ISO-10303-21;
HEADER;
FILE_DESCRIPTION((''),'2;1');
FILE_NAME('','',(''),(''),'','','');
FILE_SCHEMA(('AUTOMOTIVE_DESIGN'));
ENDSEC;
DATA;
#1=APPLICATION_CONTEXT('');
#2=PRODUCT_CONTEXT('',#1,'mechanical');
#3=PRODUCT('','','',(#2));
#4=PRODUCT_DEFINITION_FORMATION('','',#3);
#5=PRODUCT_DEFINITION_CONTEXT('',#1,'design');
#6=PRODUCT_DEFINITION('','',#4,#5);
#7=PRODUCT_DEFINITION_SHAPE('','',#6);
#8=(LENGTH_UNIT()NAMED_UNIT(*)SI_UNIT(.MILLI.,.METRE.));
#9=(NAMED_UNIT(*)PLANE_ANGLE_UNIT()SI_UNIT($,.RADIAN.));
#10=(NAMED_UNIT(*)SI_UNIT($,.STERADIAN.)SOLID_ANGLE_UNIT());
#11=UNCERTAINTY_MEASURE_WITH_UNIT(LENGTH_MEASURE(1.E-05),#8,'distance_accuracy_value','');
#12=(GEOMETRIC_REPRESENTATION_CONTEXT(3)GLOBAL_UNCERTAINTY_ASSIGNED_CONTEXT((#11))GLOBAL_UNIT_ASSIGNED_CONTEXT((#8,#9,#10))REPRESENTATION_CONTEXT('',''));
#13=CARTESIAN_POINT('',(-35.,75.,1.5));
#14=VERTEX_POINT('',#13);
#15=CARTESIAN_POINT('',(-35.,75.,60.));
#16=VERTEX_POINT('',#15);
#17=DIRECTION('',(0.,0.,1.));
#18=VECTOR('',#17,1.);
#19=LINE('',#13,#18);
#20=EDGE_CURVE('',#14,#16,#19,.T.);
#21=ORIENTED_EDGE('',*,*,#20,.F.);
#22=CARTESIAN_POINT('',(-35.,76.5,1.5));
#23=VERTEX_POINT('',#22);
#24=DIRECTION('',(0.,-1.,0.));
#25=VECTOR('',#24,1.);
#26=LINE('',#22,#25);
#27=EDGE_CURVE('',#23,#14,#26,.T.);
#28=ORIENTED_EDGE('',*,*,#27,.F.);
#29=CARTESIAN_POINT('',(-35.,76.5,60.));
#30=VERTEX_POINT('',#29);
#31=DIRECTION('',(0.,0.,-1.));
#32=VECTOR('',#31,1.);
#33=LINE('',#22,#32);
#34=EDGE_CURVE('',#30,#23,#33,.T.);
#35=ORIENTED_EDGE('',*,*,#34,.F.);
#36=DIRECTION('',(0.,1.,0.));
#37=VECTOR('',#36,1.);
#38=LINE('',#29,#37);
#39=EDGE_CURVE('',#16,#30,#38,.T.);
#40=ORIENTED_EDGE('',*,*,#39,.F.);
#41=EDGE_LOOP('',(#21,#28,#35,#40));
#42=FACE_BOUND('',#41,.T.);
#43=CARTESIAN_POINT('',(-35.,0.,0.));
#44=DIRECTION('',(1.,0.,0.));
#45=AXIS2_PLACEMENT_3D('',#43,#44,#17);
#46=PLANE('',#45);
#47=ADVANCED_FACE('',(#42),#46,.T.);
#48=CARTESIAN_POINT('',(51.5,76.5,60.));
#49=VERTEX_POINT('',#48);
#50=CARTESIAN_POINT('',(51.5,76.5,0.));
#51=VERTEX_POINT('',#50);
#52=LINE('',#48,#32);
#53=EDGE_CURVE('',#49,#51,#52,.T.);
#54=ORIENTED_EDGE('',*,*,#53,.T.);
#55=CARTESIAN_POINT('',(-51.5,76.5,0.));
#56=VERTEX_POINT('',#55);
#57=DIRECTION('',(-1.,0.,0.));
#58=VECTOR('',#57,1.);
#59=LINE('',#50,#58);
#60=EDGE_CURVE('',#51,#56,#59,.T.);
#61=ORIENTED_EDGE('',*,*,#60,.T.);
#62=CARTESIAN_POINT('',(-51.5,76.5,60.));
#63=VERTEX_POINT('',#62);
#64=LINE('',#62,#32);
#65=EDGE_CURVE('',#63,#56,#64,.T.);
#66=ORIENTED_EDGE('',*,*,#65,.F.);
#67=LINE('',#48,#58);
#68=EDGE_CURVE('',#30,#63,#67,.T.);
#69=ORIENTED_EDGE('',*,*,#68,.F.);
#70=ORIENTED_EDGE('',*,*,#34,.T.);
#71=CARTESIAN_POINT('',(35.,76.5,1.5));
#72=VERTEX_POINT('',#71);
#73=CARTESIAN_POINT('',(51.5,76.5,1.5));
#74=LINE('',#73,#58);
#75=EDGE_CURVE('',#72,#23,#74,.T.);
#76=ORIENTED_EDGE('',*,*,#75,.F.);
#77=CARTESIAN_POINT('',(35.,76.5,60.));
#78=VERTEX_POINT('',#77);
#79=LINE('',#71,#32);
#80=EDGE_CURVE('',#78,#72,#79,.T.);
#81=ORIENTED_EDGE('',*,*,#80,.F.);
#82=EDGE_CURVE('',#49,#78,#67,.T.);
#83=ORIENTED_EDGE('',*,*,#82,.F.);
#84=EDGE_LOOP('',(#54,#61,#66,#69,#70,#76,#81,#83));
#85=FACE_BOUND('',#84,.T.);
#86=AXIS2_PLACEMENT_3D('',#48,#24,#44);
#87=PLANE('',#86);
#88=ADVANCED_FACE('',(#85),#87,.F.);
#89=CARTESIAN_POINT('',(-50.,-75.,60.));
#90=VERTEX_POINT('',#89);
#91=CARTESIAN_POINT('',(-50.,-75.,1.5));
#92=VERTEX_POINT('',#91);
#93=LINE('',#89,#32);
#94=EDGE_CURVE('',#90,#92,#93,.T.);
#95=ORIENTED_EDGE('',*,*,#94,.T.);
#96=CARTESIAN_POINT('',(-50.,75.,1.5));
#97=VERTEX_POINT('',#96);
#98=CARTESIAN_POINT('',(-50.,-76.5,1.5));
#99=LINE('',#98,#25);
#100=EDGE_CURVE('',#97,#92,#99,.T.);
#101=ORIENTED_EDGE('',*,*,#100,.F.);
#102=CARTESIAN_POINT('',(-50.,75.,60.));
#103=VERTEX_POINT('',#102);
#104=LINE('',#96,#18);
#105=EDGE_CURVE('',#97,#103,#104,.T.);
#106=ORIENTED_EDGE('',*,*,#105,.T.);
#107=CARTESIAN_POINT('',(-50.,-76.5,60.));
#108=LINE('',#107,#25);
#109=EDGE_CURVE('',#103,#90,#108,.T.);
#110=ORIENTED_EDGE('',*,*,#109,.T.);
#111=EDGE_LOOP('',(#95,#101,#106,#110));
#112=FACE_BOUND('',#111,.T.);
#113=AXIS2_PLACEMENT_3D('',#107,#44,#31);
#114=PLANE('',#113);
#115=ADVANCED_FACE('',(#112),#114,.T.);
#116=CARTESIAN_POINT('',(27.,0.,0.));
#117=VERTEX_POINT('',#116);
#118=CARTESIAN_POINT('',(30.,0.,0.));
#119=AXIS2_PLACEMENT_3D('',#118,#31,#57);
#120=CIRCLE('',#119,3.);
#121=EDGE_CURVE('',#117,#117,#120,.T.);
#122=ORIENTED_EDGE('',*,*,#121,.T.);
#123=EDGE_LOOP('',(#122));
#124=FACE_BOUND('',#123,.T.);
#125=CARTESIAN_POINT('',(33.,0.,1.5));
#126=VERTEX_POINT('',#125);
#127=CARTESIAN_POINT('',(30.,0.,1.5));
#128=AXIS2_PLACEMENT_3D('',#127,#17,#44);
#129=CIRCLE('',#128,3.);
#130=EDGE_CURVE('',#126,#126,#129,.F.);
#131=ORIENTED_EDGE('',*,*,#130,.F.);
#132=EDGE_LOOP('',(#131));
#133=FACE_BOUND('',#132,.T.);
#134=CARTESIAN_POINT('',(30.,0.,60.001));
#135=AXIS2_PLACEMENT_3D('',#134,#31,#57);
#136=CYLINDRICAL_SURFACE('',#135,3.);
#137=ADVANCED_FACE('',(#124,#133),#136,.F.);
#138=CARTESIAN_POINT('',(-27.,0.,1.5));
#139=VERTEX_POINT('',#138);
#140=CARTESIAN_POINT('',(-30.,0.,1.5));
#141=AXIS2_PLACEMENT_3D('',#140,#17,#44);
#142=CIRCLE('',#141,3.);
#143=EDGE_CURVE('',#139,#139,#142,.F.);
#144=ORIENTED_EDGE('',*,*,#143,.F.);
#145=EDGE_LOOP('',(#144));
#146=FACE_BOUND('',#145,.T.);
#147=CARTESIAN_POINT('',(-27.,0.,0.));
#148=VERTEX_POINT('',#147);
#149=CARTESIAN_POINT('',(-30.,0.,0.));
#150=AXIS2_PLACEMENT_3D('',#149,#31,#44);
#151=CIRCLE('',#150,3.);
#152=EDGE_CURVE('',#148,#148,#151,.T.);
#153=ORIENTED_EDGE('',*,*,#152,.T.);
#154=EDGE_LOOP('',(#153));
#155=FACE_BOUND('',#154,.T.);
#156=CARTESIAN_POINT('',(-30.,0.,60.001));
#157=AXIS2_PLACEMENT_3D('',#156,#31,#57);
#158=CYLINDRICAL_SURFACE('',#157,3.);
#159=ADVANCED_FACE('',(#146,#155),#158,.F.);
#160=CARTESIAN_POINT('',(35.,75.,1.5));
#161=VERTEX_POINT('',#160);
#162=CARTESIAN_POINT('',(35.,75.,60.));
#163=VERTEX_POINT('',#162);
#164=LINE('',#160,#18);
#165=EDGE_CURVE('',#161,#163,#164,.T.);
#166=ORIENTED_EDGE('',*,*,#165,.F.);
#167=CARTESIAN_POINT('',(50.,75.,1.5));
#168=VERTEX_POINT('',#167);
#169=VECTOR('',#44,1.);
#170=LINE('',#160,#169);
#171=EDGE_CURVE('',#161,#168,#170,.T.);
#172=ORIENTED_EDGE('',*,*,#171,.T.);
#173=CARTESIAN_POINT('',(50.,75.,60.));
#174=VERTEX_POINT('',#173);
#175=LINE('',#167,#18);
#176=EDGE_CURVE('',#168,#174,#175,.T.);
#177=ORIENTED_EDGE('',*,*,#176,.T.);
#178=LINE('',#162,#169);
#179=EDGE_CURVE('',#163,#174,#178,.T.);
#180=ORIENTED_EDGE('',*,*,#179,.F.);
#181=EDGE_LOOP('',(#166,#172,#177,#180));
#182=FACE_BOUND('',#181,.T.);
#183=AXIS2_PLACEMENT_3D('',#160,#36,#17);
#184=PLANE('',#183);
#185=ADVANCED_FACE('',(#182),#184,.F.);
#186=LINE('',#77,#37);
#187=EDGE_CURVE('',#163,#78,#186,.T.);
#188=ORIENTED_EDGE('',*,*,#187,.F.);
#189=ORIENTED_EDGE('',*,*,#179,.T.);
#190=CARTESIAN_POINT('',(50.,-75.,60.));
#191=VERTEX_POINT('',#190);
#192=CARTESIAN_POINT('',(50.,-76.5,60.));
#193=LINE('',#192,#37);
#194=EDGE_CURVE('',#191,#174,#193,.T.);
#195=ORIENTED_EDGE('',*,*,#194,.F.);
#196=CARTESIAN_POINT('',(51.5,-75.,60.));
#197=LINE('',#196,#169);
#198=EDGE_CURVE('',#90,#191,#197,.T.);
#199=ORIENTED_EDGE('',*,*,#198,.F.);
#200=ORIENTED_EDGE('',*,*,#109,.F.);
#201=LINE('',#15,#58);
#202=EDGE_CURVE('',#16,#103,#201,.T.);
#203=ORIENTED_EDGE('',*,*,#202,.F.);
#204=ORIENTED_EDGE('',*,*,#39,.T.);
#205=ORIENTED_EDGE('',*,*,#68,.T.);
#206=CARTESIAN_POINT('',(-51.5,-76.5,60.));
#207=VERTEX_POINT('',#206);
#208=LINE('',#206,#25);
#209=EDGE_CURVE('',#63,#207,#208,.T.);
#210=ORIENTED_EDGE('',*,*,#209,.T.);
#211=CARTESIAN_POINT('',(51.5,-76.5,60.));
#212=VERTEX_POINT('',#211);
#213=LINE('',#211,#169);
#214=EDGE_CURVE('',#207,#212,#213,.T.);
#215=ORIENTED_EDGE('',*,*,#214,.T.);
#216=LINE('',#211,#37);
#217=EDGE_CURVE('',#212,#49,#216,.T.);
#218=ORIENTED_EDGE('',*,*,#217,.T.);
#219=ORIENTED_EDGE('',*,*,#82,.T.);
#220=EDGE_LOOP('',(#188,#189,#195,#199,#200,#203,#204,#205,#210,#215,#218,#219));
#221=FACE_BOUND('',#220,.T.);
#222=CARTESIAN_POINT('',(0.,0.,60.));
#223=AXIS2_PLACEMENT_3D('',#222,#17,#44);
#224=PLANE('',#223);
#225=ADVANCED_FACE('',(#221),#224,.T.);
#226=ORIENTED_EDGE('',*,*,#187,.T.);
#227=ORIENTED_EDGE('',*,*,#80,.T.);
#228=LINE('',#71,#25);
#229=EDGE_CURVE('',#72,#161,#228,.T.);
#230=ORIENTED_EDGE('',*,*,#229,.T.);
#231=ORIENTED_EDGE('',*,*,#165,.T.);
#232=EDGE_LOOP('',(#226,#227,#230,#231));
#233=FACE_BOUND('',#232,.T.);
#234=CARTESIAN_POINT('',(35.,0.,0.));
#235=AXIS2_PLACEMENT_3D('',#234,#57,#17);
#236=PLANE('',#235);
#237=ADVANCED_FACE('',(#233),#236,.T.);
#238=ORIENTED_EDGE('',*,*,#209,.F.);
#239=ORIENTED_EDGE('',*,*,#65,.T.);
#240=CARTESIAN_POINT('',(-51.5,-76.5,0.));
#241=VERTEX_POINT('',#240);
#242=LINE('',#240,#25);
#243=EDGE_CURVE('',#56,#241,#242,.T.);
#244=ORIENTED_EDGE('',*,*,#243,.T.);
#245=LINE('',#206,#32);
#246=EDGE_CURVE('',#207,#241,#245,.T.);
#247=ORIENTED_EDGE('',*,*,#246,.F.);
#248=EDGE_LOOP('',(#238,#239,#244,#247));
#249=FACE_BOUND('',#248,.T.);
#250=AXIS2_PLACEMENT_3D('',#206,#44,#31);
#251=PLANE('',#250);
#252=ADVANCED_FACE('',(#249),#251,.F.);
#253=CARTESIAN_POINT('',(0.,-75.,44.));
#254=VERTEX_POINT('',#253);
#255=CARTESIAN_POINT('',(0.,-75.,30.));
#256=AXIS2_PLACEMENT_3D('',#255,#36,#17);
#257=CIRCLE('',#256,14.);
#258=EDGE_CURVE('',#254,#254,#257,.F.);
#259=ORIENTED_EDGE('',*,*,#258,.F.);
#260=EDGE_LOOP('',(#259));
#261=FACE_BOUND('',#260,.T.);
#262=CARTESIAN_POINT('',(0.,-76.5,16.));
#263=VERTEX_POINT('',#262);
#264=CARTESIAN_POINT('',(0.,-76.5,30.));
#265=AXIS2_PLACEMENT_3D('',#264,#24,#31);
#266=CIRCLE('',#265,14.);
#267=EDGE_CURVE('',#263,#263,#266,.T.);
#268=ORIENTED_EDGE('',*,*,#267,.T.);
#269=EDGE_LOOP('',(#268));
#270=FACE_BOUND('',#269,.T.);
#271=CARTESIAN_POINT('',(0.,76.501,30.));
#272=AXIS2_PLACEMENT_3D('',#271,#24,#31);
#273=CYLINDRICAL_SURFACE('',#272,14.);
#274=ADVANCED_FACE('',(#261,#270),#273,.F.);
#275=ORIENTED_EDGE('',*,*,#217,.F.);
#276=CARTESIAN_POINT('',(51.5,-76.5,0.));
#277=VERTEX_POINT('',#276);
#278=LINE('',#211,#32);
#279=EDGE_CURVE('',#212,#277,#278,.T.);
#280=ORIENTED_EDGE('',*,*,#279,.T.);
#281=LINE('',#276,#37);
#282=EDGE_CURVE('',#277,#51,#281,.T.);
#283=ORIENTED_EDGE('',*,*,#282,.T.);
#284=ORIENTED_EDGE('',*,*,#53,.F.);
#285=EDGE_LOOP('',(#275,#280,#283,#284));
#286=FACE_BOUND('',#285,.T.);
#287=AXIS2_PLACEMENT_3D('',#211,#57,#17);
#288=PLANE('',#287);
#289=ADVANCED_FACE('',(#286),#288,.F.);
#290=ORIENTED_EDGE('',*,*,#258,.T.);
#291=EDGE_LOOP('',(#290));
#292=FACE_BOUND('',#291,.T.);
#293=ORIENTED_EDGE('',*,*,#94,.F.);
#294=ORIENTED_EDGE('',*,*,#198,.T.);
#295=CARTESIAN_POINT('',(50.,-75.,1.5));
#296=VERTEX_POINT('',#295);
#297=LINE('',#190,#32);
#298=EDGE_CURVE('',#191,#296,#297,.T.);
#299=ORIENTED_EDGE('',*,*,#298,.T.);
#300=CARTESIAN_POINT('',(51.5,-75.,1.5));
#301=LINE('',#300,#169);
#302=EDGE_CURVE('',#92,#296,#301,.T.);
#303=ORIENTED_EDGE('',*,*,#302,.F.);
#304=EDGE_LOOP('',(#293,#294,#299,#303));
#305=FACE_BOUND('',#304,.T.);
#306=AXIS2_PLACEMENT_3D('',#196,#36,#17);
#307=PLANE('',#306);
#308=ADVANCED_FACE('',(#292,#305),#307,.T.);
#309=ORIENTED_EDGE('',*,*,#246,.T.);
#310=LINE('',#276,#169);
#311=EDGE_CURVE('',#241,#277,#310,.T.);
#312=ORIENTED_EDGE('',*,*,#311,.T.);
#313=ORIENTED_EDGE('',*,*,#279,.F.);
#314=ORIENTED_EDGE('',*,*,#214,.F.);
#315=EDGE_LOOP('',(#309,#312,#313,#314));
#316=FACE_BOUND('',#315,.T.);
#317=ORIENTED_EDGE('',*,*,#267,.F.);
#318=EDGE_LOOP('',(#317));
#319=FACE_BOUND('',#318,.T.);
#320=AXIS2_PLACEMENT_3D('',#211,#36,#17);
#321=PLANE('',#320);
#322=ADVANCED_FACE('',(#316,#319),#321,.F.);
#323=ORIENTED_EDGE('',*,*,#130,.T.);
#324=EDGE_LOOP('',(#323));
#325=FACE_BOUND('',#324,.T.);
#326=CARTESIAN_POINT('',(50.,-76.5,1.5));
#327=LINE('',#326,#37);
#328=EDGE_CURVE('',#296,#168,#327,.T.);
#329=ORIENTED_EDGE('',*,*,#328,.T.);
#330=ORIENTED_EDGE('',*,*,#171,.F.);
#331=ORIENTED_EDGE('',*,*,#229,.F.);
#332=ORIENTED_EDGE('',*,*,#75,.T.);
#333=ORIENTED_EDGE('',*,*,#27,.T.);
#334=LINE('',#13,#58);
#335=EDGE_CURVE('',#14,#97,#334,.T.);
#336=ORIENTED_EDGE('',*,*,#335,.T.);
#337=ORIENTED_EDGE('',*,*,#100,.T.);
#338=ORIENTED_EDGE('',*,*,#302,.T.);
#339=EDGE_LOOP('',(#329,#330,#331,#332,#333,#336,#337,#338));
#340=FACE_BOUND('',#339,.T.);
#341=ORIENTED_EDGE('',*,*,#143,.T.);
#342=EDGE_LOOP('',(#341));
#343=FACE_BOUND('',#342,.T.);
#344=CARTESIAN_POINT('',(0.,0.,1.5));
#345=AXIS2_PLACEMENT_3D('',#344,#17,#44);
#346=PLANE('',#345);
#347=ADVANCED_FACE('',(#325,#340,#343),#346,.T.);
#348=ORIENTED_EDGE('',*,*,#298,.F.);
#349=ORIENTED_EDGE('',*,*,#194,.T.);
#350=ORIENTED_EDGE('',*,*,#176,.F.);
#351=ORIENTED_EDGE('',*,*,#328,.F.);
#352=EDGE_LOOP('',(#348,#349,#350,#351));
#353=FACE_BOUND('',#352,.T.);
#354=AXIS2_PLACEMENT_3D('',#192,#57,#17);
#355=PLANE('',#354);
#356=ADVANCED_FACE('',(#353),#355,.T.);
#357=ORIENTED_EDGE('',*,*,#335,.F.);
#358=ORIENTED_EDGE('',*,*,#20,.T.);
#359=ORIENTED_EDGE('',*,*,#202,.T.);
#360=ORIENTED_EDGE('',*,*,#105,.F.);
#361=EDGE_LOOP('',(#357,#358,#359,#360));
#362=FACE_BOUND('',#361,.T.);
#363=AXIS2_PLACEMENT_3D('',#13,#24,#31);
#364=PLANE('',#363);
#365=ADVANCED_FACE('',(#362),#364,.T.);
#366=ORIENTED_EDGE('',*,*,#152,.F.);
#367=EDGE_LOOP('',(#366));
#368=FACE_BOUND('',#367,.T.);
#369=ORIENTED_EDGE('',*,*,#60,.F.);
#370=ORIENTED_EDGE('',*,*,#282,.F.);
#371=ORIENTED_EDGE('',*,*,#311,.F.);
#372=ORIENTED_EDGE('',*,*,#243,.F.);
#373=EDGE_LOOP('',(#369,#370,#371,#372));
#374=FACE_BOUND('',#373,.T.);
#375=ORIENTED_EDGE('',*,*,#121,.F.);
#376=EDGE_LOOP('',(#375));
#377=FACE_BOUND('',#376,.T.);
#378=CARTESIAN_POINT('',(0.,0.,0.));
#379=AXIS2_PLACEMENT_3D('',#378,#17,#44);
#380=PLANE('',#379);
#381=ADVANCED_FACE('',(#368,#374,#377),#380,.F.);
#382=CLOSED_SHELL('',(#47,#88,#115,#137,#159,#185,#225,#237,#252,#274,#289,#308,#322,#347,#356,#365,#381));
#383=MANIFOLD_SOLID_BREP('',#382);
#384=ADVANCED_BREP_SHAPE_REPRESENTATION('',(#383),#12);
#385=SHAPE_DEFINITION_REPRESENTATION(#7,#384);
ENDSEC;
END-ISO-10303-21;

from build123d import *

# Parameters (mm, degrees)
SKETCH1_W           = 103
SKETCH1_H           = 153
BOSS_EXTRUDE1_DEPTH = 60
SHELL1_T            = -1.5
CUT_EXTRUDE1_REACH  = 174.224
SKETCH2_R           = 14
SKETCH3_W           = 58.5
SKETCH3_H           = 1.5
BOSS_EXTRUDE2_DEPTH = 15
CUT_EXTRUDE2_REACH  = 112.02
SKETCH4_R           = 3


with BuildPart() as part:
    # Sketch1 → Boss-Extrude1 (new body)
    with BuildSketch(Plane.XY):
        Rectangle(SKETCH1_W, SKETCH1_H)
    extrude(amount=BOSS_EXTRUDE1_DEPTH)

    # Shell1
    shell1_openings = [part.faces().sort_by_distance(p)[0] for p in [
        (0, 0, 60),
        (0, 76.5, 30),
    ]]
    offset(amount=SHELL1_T, openings=shell1_openings, kind=Kind.INTERSECTION)

    # Sketch2 → Cut-Extrude1 (cut, up to next)
    with BuildSketch(Plane.XZ.offset(76.5), mode=Mode.PRIVATE) as cut_extrude1_sk1:
        with Locations(Location((0, 30, 0), (0, 0, 270))):
            Circle(SKETCH2_R)
    cut_extrude1_tool1 = extrude(cut_extrude1_sk1.sketch, amount=-CUT_EXTRUDE1_REACH, mode=Mode.PRIVATE) & part.part
    add(cut_extrude1_tool1.solids().sort_by_distance((0, -76.5, 30))[0], mode=Mode.SUBTRACT)

    # Sketch3 → Boss-Extrude2 (add)
    with BuildSketch(Plane.ZY.offset(-50)):
        with Locations((30.75, 75.75)):
            Rectangle(SKETCH3_W, SKETCH3_H)
    boss_extrude2 = extrude(amount=BOSS_EXTRUDE2_DEPTH)

    # Mirror1: Boss-Extrude2 across plane
    add(boss_extrude2.mirror(Plane(origin=(0, 0, 0), x_dir=(0, 0, 1), z_dir=(1, 0, 0))))

    # Sketch4 → Cut-Extrude2 (cut, up to next)
    with BuildSketch(Plane(origin=(0, 0, 0), x_dir=(-1, 0, 0), z_dir=(0, 0, -1)), mode=Mode.PRIVATE) as cut_extrude2_sk1:
        with Locations((-30, 0)):
            Circle(SKETCH4_R)
    cut_extrude2_tool1 = extrude(cut_extrude2_sk1.sketch, amount=-CUT_EXTRUDE2_REACH, mode=Mode.PRIVATE) & part.part
    # Sketch4 → Cut-Extrude2 (cut, up to next)
    with BuildSketch(Plane(origin=(0, 0, 0), x_dir=(-1, 0, 0), z_dir=(0, 0, -1)), mode=Mode.PRIVATE) as cut_extrude2_sk2:
        with Locations(Location((30, 0, 0), (0, 0, 180))):
            Circle(SKETCH4_R)
    cut_extrude2_tool2 = extrude(cut_extrude2_sk2.sketch, amount=-CUT_EXTRUDE2_REACH, mode=Mode.PRIVATE) & part.part
    add(cut_extrude2_tool1.solids().sort_by_distance((30, 0, 0))[0], mode=Mode.SUBTRACT)
    add(cut_extrude2_tool2.solids().sort_by_distance((-30, 0, 0))[0], mode=Mode.SUBTRACT)


solid = part.part
